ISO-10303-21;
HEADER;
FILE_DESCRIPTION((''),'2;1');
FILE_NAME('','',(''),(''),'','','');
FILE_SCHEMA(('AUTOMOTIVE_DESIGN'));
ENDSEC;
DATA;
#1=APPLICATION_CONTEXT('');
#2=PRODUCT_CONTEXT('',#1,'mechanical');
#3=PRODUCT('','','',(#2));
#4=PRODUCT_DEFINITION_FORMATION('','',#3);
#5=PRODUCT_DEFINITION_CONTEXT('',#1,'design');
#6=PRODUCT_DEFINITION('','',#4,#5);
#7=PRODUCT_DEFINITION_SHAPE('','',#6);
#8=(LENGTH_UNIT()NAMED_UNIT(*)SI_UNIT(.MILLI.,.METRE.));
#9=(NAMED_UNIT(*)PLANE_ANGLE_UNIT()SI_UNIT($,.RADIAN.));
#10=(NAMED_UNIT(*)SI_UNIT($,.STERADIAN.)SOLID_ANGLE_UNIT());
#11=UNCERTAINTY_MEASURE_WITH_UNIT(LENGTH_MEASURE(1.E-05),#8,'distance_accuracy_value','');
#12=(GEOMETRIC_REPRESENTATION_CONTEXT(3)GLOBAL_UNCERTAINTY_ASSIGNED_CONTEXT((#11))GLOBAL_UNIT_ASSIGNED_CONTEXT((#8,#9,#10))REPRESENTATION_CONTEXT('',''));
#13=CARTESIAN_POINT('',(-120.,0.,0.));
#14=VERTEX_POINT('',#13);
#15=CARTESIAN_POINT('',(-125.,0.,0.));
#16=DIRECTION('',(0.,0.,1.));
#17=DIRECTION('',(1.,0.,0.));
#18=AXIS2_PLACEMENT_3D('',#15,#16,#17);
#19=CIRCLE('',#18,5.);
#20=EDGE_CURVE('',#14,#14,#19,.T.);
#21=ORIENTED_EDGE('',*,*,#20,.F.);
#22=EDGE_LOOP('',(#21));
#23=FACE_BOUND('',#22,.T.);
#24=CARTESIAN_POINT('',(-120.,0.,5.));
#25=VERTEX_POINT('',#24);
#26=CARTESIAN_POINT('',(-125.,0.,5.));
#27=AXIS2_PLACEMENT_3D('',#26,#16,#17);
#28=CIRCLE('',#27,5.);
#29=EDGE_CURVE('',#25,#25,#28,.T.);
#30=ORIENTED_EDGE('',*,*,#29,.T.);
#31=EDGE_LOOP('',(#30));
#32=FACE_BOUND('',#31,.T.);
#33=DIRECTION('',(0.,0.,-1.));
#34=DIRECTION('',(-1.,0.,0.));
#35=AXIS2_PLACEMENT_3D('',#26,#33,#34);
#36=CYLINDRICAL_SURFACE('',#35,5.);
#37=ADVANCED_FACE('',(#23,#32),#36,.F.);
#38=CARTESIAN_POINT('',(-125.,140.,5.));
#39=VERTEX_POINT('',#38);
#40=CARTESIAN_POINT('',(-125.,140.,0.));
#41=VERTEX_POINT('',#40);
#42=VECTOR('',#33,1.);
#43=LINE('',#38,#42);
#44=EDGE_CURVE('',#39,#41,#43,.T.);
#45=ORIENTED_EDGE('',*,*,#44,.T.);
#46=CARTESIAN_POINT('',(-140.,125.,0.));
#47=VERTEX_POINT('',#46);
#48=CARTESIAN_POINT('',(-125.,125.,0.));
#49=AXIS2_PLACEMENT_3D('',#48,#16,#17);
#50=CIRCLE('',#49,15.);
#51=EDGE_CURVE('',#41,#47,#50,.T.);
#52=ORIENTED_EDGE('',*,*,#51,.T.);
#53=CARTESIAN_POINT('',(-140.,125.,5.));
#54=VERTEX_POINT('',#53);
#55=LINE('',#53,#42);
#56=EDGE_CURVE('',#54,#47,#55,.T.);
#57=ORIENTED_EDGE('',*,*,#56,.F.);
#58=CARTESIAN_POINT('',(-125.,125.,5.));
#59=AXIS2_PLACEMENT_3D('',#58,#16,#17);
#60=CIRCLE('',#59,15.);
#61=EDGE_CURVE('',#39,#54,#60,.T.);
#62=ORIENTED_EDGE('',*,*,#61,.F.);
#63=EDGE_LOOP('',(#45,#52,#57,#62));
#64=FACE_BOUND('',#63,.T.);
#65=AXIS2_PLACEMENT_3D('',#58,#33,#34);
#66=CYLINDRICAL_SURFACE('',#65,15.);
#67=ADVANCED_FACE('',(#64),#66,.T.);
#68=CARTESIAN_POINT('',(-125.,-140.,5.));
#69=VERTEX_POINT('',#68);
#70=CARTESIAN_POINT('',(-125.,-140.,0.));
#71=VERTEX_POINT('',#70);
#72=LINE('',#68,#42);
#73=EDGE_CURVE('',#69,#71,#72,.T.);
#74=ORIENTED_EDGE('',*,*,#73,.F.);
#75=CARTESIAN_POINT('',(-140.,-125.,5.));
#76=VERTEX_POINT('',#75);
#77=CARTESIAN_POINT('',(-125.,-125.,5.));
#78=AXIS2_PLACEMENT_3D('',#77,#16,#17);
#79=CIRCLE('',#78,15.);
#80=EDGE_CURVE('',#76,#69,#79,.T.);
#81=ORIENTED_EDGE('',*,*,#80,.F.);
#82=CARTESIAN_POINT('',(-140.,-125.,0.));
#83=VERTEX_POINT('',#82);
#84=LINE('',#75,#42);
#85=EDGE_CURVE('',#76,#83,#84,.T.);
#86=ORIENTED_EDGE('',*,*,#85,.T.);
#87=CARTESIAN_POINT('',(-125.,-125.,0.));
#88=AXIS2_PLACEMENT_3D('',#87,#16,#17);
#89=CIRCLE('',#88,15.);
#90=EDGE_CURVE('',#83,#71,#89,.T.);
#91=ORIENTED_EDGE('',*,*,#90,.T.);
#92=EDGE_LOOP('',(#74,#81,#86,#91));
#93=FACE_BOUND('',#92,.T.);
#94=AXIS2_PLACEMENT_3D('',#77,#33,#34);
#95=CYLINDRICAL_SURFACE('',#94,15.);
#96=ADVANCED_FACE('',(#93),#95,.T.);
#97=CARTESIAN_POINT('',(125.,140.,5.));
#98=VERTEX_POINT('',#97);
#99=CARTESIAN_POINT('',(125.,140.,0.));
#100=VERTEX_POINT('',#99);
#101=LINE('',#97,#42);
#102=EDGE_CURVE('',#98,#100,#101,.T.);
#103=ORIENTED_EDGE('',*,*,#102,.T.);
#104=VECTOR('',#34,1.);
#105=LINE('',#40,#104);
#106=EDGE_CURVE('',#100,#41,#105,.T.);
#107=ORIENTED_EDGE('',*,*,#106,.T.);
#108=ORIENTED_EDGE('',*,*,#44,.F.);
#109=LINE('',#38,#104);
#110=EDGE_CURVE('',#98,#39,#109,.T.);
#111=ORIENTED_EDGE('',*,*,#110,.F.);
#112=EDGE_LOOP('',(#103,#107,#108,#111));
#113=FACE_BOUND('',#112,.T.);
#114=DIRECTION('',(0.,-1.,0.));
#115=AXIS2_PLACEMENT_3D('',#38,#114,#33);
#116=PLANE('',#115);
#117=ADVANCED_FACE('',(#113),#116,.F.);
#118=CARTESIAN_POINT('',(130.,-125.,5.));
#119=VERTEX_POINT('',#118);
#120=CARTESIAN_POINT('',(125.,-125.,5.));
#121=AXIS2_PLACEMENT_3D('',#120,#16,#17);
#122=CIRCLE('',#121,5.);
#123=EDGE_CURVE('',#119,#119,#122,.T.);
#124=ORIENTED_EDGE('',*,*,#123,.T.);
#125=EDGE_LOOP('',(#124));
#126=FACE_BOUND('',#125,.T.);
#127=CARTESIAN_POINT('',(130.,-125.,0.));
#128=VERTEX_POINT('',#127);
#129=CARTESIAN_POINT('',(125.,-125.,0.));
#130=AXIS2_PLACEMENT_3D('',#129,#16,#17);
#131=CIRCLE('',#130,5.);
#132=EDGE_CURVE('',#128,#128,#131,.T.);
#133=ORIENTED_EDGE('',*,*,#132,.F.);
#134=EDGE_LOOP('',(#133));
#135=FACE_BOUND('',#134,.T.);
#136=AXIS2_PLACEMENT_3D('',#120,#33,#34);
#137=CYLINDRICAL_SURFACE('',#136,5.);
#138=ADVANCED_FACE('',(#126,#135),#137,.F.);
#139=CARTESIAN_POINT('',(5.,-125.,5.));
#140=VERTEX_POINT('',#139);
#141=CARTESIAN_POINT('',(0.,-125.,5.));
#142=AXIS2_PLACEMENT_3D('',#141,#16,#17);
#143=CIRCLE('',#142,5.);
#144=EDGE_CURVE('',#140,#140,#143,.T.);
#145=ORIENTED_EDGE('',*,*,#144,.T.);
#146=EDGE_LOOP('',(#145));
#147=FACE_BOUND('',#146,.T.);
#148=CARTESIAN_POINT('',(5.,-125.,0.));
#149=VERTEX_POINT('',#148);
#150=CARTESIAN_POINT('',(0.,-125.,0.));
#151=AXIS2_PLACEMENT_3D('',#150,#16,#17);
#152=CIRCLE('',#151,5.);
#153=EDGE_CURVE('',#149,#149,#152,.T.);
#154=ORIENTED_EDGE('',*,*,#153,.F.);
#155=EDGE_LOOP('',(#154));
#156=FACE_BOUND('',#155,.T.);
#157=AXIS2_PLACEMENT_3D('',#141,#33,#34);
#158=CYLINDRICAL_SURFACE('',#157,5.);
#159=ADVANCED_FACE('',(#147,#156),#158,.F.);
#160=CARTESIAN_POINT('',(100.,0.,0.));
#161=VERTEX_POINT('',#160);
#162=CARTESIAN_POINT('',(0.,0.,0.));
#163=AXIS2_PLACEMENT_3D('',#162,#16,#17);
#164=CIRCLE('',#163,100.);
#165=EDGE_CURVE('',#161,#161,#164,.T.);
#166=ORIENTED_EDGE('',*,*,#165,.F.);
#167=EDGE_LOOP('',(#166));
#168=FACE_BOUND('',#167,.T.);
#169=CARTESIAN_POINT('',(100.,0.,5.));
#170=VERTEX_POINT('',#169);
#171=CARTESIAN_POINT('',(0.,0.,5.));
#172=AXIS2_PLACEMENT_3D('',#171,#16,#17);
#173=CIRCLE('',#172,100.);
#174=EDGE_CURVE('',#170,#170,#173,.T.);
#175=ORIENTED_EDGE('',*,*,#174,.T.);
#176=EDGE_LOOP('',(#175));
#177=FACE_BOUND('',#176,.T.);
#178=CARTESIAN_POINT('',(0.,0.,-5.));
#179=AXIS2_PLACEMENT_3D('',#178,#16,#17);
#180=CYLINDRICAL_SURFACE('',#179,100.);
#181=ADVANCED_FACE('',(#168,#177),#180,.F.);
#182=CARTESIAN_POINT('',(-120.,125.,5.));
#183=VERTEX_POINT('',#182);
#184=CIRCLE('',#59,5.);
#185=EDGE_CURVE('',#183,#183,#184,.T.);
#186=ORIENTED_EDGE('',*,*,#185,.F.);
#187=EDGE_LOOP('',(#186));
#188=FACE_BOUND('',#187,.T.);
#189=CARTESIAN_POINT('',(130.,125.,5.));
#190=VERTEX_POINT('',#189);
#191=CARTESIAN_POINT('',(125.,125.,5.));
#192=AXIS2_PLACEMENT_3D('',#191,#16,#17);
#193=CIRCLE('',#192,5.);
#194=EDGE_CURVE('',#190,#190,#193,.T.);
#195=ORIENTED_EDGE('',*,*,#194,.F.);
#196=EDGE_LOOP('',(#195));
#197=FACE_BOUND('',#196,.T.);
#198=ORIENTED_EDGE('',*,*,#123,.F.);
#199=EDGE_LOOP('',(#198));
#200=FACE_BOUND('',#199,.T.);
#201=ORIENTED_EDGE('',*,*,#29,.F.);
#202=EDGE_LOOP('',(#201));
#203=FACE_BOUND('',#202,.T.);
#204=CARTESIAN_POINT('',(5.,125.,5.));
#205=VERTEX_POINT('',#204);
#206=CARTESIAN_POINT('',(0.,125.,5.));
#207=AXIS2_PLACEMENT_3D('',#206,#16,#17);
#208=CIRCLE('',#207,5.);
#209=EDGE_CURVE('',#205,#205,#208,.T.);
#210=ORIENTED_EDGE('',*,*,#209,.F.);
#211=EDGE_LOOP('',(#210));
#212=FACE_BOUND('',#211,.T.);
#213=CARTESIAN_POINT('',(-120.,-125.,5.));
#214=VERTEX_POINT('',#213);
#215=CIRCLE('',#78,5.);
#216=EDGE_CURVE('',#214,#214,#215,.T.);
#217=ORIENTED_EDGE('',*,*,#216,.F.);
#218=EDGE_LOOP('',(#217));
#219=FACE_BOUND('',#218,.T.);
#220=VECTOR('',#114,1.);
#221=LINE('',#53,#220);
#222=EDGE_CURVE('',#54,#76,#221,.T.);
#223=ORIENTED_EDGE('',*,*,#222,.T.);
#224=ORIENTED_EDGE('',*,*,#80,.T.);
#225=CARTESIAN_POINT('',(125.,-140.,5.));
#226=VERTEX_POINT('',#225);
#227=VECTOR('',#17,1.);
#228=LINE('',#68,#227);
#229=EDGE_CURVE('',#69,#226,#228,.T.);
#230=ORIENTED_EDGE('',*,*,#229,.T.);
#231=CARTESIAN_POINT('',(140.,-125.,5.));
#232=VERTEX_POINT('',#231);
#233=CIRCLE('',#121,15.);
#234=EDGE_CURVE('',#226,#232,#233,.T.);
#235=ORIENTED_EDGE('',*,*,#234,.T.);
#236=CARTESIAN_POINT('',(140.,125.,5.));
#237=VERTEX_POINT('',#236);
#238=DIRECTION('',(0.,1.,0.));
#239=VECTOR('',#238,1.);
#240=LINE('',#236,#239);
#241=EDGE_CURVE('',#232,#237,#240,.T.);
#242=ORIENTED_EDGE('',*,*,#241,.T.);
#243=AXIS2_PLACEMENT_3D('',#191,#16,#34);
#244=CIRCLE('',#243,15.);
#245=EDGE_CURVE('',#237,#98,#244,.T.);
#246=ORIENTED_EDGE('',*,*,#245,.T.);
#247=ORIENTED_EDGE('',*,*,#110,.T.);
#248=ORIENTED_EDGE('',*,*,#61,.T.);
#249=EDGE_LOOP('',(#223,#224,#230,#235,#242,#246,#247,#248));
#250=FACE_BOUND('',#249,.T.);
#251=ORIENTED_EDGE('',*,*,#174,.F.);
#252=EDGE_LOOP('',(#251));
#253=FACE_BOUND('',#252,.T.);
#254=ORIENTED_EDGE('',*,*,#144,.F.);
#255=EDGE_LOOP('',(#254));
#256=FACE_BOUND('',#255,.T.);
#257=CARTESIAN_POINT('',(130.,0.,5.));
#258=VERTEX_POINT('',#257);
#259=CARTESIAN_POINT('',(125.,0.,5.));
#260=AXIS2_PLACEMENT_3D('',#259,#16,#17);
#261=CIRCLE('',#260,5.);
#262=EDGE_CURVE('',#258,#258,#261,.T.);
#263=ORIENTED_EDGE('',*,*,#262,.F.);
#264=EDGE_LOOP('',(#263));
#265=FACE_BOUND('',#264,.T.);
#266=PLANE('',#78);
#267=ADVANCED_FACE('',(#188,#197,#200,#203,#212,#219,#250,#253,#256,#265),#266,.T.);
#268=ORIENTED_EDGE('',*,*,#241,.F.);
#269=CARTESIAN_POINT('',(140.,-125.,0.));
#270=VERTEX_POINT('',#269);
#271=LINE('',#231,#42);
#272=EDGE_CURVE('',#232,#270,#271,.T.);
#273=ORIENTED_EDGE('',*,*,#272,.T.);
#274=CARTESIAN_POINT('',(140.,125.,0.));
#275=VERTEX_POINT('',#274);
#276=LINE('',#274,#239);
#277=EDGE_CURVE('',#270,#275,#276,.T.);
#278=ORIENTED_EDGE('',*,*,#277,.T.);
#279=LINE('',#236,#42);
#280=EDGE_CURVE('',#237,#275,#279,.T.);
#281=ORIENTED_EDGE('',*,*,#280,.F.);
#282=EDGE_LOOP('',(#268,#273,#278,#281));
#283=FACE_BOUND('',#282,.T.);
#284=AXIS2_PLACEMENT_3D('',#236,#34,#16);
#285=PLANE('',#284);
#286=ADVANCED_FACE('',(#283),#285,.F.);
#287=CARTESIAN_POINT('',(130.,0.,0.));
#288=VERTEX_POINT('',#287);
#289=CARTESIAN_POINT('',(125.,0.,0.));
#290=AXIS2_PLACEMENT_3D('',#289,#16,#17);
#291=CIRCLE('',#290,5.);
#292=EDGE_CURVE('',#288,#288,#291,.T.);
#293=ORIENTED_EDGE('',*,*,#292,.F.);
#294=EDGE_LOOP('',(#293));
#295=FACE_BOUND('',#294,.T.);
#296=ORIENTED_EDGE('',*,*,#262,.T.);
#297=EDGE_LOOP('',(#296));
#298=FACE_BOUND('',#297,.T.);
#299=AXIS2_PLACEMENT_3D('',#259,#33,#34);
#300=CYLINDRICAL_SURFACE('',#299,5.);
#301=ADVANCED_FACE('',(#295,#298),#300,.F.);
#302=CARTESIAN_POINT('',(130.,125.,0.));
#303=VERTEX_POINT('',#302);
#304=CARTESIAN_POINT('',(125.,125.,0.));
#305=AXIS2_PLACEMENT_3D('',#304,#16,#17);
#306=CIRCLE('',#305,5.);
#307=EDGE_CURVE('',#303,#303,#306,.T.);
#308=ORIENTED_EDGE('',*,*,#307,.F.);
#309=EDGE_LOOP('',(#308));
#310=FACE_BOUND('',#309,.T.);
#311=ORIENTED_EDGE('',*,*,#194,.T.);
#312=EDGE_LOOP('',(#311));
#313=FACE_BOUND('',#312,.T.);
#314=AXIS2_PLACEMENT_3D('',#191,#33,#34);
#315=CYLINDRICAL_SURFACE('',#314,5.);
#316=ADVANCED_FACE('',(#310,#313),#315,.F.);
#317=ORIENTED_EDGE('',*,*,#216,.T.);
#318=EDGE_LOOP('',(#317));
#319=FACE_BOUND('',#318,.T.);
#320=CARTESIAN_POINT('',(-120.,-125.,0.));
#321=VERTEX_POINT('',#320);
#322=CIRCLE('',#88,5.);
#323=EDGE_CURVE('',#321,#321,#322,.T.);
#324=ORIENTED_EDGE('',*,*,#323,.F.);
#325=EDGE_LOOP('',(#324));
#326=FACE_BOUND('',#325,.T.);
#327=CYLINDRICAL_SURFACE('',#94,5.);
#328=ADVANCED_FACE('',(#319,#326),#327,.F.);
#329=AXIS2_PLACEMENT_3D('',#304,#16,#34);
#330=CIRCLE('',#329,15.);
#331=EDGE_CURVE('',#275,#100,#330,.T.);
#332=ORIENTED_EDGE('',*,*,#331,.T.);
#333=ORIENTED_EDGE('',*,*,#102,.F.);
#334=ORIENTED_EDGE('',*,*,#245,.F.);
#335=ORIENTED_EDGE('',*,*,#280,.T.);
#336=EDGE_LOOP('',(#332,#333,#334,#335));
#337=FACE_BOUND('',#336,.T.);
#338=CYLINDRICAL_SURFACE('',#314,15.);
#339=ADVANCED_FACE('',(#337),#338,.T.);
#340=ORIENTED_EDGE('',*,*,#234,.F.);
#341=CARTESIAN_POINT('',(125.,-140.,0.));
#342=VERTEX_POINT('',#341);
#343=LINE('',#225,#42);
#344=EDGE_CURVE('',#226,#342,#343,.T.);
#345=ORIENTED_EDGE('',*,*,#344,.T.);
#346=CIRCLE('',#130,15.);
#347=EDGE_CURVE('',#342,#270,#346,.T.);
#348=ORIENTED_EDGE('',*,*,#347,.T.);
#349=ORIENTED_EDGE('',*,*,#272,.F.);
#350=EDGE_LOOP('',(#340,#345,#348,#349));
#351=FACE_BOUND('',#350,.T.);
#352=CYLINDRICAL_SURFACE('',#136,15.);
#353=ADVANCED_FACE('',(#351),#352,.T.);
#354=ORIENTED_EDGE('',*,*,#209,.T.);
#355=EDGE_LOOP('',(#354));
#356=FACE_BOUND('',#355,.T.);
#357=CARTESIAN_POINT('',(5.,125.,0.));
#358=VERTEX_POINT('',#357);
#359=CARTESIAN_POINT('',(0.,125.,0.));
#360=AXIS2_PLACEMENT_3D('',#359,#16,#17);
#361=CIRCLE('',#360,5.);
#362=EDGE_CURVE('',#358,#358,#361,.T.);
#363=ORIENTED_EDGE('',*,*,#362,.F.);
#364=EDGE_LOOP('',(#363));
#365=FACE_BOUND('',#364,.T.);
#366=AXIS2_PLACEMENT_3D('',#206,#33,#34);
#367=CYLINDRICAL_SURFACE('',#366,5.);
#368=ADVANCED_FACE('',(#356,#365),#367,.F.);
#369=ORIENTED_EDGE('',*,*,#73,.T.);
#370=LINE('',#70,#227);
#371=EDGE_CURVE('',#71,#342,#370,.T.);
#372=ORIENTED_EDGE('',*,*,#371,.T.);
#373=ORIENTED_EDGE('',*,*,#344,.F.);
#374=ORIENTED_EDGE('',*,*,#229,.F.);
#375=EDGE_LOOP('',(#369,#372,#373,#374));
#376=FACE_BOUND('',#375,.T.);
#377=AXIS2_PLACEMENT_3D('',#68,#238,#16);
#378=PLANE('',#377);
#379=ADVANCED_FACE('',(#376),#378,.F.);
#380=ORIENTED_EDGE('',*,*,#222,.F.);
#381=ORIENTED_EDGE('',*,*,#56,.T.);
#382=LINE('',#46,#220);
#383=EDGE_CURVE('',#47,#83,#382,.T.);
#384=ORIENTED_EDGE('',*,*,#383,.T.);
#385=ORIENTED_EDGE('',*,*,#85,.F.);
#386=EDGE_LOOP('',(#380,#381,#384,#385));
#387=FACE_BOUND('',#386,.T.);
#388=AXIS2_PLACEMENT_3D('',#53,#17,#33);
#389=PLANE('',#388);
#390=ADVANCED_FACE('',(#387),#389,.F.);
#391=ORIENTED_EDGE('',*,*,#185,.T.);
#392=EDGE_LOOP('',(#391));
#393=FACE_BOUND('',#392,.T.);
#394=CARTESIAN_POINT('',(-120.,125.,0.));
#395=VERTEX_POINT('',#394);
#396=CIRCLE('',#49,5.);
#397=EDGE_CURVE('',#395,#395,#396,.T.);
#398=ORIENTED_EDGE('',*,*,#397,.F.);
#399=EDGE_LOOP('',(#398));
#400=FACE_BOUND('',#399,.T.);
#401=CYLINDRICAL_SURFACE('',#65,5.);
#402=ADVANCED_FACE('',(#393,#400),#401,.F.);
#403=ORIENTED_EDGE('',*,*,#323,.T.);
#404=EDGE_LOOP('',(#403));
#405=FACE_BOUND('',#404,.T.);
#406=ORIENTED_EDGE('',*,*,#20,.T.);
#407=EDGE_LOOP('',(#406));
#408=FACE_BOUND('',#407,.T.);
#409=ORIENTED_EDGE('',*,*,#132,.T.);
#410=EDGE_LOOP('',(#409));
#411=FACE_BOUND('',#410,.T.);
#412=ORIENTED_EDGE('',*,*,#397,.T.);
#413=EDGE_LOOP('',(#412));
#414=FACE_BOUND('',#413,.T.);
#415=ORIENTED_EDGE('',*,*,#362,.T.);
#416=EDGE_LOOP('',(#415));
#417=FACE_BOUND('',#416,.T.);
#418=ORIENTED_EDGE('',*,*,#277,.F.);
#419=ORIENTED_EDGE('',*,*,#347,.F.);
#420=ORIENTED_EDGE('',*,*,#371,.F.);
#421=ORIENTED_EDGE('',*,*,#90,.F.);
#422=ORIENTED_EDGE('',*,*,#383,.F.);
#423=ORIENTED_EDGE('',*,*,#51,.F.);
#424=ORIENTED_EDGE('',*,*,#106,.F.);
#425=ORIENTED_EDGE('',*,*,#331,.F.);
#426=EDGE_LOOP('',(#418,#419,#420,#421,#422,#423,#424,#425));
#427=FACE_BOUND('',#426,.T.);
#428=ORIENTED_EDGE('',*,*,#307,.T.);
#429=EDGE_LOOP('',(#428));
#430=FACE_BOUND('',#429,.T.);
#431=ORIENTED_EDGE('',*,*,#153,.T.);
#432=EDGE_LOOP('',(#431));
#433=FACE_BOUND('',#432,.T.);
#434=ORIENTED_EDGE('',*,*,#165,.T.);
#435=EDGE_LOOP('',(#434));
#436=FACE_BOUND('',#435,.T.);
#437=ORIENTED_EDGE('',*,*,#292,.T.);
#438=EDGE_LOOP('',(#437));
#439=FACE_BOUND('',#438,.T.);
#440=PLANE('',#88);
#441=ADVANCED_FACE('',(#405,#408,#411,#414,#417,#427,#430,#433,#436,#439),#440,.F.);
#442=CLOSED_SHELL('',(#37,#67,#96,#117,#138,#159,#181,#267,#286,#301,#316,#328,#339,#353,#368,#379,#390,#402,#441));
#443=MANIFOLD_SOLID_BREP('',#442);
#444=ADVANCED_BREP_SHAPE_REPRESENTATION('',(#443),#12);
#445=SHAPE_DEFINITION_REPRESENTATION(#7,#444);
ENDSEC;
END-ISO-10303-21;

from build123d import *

# Parameters (mm, degrees)
SKETCH2_R           = 5
SKETCH2_R_2         = 4
BOSS_EXTRUDE1_DEPTH = 5
SKETCH7_R           = 100
CUT_EXTRUDE2_DEPTH  = 10


with BuildPart() as part:
    # Sketch2 → Boss-Extrude1 (new body)
    with BuildSketch(Plane.XY):
        with BuildLine():
            Line((-125, 140), (125, 140))
            ThreePointArc((125, 140), (135.606601718, 135.606601718), (140, 125))
            Line((140, 125), (140, -125))
            ThreePointArc((140, -125), (135.606601718, -135.606601718), (125, -140))
            Line((125, -140), (-125, -140))
            ThreePointArc((-125, -140), (-135.606601718, -135.606601718), (-140, -125))
            Line((-140, -125), (-140, 125))
            ThreePointArc((-140, 125), (-135.606601718, 135.606601718), (-125, 140))
        make_face()
        with Locations((-125, 125)):
            Circle(SKETCH2_R, mode=Mode.SUBTRACT)
        with Locations((0, 125)):
            Circle(SKETCH2_R, mode=Mode.SUBTRACT)
        with Locations((125, 125)):
            Circle(SKETCH2_R, mode=Mode.SUBTRACT)
        Circle(SKETCH2_R_2, mode=Mode.SUBTRACT)
        with Locations((125, 0)):
            Circle(SKETCH2_R, mode=Mode.SUBTRACT)
        with Locations((-125, 0)):
            Circle(SKETCH2_R, mode=Mode.SUBTRACT)
        with Locations((-125, -125)):
            Circle(SKETCH2_R, mode=Mode.SUBTRACT)
        with Locations((0, -125)):
            Circle(SKETCH2_R, mode=Mode.SUBTRACT)
        with Locations((125, -125)):
            Circle(SKETCH2_R, mode=Mode.SUBTRACT)
    extrude(amount=BOSS_EXTRUDE1_DEPTH)

    # Sketch7 → Cut-Extrude2 (cut)
    with BuildSketch(Plane.XY.offset(5)):
        Circle(SKETCH7_R)
    extrude(amount=-CUT_EXTRUDE2_DEPTH, mode=Mode.SUBTRACT)


solid = part.part
